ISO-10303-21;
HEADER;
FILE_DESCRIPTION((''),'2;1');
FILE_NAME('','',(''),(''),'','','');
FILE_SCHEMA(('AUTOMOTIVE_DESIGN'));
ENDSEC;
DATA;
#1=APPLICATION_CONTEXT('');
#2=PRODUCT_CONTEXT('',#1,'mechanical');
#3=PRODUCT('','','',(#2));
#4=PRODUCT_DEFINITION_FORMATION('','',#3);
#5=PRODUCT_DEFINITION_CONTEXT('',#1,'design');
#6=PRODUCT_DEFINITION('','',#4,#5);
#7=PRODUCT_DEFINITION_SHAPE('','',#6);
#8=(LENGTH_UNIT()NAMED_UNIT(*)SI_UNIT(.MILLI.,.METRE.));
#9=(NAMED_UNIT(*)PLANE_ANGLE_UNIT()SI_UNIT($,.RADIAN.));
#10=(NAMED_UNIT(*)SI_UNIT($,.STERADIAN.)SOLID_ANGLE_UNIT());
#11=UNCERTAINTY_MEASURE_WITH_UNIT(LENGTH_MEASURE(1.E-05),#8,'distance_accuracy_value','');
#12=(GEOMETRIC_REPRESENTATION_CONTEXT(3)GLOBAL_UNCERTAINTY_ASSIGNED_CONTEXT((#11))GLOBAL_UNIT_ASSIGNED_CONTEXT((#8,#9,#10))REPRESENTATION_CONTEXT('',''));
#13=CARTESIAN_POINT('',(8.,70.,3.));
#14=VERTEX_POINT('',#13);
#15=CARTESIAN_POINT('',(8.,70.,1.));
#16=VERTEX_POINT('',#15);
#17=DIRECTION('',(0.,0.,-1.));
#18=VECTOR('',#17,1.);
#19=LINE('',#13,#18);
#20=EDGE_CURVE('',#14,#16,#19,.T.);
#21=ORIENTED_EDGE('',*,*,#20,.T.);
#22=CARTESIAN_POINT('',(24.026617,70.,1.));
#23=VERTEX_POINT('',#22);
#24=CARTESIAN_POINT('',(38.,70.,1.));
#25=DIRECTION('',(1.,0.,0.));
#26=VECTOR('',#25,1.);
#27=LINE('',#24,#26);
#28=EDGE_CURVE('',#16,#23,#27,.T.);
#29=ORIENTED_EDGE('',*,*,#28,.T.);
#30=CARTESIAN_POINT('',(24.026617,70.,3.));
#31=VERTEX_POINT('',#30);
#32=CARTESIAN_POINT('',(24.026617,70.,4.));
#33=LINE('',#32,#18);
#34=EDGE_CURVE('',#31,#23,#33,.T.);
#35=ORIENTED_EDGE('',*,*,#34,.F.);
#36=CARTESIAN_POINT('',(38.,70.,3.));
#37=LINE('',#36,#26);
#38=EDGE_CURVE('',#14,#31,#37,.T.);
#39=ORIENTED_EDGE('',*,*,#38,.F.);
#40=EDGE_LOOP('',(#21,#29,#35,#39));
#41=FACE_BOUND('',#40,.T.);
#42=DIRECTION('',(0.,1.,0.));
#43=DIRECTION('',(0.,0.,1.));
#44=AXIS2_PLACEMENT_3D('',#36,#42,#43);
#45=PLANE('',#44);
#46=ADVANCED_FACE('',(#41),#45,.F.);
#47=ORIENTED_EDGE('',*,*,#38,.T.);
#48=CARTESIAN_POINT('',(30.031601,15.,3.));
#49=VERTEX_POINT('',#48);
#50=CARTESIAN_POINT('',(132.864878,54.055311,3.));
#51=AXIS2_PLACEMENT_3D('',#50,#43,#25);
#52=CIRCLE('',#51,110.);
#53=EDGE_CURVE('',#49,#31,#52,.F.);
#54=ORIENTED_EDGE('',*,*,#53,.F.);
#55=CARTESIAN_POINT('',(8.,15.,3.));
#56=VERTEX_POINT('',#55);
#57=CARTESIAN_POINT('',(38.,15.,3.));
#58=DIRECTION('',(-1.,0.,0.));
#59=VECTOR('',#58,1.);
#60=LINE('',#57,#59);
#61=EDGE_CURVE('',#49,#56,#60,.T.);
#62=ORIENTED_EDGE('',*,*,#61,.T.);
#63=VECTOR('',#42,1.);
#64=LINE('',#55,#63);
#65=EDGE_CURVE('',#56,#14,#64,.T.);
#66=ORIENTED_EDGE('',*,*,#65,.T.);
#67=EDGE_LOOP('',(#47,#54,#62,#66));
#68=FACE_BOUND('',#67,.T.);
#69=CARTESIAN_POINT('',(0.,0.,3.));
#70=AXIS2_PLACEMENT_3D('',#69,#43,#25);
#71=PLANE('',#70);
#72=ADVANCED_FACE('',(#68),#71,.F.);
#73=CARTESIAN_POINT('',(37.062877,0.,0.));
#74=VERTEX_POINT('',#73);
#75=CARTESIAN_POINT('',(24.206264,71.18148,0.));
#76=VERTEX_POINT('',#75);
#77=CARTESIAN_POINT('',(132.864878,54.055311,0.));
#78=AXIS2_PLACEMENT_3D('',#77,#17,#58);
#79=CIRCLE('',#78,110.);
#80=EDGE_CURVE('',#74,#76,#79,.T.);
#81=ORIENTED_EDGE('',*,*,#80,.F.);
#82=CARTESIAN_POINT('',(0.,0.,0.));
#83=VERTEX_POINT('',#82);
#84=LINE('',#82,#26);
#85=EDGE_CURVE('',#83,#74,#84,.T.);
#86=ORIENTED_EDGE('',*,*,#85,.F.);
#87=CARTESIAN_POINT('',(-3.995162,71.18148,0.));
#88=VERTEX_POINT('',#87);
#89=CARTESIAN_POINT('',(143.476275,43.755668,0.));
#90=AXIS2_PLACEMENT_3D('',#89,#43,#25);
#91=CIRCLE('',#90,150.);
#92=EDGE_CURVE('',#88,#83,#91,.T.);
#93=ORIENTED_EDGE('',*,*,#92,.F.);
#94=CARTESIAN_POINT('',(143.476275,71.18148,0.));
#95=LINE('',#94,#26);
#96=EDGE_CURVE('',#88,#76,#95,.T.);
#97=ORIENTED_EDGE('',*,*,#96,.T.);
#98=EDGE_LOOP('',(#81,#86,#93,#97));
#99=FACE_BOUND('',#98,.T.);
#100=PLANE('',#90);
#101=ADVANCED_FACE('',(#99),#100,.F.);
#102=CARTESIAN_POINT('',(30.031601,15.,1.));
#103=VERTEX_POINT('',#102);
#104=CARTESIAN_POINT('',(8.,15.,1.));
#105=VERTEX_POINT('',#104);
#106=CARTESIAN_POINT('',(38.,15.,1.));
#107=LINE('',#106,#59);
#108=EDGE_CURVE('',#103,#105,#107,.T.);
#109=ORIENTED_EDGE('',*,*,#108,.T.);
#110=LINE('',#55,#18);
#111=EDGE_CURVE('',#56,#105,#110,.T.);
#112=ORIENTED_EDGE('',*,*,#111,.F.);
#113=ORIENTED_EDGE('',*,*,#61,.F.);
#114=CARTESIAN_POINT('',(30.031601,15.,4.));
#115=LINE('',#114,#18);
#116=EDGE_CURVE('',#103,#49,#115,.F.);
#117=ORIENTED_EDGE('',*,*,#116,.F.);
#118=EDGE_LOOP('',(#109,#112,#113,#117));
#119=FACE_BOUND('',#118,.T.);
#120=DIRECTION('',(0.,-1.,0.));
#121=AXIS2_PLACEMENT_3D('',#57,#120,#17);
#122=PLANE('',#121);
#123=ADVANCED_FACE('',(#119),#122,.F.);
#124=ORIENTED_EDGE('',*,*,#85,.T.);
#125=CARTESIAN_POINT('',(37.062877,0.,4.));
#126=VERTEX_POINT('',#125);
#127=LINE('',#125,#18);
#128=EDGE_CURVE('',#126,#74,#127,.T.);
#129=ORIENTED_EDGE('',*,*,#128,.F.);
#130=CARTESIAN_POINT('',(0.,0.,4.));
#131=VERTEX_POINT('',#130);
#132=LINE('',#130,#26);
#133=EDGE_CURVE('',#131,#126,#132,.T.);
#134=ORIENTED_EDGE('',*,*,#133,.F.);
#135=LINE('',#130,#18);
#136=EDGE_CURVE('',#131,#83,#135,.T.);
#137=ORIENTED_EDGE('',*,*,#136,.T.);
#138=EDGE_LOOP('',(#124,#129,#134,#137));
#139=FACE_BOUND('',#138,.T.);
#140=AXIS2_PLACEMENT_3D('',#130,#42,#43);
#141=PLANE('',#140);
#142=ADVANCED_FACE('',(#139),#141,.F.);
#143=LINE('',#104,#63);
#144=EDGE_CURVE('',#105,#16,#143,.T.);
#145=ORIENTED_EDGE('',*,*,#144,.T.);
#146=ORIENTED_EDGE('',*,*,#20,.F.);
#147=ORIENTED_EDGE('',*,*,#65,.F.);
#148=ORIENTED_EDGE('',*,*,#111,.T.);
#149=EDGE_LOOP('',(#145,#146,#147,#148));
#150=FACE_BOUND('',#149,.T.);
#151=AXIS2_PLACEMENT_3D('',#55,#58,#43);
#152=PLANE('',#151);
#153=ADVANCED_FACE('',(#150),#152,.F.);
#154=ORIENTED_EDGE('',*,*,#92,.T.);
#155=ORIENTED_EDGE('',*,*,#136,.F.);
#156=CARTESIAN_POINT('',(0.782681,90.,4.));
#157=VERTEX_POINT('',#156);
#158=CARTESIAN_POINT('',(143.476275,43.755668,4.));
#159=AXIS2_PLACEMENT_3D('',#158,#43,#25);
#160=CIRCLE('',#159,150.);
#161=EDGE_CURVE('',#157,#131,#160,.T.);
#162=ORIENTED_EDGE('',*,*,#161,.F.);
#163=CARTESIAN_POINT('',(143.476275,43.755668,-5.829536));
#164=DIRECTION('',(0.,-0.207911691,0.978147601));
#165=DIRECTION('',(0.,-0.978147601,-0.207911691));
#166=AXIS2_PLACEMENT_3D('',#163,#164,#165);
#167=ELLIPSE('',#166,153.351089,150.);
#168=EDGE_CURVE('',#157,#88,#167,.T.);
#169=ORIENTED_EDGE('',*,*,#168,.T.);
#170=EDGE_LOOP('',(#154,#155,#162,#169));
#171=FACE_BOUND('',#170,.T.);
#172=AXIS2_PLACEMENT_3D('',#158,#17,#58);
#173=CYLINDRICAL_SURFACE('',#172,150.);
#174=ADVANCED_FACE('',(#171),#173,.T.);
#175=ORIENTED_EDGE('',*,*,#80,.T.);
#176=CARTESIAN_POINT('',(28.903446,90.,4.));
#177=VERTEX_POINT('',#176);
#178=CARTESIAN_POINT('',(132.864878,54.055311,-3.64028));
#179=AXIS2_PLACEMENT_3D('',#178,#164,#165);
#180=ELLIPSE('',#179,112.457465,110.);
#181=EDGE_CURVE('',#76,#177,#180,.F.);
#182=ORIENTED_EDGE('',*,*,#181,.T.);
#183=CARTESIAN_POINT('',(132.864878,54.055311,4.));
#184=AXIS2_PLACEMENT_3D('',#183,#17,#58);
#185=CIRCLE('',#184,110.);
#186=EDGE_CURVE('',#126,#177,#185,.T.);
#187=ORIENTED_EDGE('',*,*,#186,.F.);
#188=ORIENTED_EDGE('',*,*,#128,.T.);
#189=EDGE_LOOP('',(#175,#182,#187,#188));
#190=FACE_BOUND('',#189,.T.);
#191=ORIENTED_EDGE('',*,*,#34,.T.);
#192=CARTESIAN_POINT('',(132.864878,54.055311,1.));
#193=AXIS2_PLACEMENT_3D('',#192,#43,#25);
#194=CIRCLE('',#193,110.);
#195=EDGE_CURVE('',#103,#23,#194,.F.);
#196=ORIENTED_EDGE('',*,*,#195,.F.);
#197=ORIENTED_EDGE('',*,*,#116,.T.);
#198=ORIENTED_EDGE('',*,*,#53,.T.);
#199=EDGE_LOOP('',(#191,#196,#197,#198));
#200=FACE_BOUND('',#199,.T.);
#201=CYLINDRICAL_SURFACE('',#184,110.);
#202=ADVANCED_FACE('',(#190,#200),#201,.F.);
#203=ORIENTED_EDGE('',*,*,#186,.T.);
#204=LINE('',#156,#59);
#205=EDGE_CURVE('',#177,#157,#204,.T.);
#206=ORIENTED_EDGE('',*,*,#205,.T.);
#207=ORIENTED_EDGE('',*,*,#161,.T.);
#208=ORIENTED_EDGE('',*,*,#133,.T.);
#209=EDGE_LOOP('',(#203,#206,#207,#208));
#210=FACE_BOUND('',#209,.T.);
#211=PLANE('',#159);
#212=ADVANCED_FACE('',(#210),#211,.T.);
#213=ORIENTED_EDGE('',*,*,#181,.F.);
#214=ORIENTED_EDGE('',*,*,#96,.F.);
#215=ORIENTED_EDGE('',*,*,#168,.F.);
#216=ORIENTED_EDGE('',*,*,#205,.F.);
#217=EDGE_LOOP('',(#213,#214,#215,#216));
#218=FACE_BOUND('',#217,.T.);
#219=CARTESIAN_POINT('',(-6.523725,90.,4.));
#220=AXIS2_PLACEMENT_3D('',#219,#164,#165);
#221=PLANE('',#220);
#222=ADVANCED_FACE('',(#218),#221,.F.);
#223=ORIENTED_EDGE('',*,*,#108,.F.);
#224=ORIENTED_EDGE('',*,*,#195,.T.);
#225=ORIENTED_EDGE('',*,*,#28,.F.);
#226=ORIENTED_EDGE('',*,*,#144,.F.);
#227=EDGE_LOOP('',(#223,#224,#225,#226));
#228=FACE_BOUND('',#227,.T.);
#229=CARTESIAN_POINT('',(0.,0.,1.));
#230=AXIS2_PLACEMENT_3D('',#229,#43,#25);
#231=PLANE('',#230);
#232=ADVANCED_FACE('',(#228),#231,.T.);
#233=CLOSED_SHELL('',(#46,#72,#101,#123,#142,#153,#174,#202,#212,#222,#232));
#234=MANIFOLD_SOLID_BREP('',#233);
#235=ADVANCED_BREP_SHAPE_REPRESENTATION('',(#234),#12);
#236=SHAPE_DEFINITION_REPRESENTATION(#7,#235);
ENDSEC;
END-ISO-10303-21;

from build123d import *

# Parameters (mm, degrees)
EXTRUDE_1_DEPTH          = 4
CUT_EXTRUDE_1_DEPTH      = 38.06287663
CUT_EXTRUDE_1_DEPTH_BACK = 7.523724759
SKETCH_3_W               = 30
SKETCH_3_H               = 55
CUT_EXTRUDE_2_DEPTH      = 1


with BuildPart() as part:
    # 草图1 → 凸台-拉伸1 (new body)
    with BuildSketch(Plane.XY):
        with BuildLine():
            Line((0, 0), (37.06287663, 0))
            ThreePointArc((37.06287663, 0), (23.31417126, 44.123406063), (28.903445872, 90))
            Line((28.903445872, 90), (0.782681423, 90))
            ThreePointArc((0.782681423, 90), (-6.518052949, 45.060087267), (0, 0))
        make_face()
    extrude(amount=EXTRUDE_1_DEPTH)

    # 草图2 → 切除-拉伸1 (cut, two sides)
    with BuildSketch(Plane(origin=(0, 0, 0), x_dir=(0, 0, -1), z_dir=(1, 0, 0))) as cut_extrude_1_sk:
        Polygon((-4, 90), (0, 90), (0, 71.181479562), align=None)
    extrude(amount=CUT_EXTRUDE_1_DEPTH, mode=Mode.SUBTRACT)
    extrude(cut_extrude_1_sk.sketch, amount=-CUT_EXTRUDE_1_DEPTH_BACK, mode=Mode.SUBTRACT)

    # 草图3 → 切除-拉伸2 (cut, symmetric)
    with BuildSketch(Plane(origin=(0, 0, 2), x_dir=(-1, 0, 0), z_dir=(0, 0, -1))):
        with Locations((-23, 42.5)):
            Rectangle(SKETCH_3_W, SKETCH_3_H)
    extrude(amount=CUT_EXTRUDE_2_DEPTH, both=True, mode=Mode.SUBTRACT)


solid = part.part
